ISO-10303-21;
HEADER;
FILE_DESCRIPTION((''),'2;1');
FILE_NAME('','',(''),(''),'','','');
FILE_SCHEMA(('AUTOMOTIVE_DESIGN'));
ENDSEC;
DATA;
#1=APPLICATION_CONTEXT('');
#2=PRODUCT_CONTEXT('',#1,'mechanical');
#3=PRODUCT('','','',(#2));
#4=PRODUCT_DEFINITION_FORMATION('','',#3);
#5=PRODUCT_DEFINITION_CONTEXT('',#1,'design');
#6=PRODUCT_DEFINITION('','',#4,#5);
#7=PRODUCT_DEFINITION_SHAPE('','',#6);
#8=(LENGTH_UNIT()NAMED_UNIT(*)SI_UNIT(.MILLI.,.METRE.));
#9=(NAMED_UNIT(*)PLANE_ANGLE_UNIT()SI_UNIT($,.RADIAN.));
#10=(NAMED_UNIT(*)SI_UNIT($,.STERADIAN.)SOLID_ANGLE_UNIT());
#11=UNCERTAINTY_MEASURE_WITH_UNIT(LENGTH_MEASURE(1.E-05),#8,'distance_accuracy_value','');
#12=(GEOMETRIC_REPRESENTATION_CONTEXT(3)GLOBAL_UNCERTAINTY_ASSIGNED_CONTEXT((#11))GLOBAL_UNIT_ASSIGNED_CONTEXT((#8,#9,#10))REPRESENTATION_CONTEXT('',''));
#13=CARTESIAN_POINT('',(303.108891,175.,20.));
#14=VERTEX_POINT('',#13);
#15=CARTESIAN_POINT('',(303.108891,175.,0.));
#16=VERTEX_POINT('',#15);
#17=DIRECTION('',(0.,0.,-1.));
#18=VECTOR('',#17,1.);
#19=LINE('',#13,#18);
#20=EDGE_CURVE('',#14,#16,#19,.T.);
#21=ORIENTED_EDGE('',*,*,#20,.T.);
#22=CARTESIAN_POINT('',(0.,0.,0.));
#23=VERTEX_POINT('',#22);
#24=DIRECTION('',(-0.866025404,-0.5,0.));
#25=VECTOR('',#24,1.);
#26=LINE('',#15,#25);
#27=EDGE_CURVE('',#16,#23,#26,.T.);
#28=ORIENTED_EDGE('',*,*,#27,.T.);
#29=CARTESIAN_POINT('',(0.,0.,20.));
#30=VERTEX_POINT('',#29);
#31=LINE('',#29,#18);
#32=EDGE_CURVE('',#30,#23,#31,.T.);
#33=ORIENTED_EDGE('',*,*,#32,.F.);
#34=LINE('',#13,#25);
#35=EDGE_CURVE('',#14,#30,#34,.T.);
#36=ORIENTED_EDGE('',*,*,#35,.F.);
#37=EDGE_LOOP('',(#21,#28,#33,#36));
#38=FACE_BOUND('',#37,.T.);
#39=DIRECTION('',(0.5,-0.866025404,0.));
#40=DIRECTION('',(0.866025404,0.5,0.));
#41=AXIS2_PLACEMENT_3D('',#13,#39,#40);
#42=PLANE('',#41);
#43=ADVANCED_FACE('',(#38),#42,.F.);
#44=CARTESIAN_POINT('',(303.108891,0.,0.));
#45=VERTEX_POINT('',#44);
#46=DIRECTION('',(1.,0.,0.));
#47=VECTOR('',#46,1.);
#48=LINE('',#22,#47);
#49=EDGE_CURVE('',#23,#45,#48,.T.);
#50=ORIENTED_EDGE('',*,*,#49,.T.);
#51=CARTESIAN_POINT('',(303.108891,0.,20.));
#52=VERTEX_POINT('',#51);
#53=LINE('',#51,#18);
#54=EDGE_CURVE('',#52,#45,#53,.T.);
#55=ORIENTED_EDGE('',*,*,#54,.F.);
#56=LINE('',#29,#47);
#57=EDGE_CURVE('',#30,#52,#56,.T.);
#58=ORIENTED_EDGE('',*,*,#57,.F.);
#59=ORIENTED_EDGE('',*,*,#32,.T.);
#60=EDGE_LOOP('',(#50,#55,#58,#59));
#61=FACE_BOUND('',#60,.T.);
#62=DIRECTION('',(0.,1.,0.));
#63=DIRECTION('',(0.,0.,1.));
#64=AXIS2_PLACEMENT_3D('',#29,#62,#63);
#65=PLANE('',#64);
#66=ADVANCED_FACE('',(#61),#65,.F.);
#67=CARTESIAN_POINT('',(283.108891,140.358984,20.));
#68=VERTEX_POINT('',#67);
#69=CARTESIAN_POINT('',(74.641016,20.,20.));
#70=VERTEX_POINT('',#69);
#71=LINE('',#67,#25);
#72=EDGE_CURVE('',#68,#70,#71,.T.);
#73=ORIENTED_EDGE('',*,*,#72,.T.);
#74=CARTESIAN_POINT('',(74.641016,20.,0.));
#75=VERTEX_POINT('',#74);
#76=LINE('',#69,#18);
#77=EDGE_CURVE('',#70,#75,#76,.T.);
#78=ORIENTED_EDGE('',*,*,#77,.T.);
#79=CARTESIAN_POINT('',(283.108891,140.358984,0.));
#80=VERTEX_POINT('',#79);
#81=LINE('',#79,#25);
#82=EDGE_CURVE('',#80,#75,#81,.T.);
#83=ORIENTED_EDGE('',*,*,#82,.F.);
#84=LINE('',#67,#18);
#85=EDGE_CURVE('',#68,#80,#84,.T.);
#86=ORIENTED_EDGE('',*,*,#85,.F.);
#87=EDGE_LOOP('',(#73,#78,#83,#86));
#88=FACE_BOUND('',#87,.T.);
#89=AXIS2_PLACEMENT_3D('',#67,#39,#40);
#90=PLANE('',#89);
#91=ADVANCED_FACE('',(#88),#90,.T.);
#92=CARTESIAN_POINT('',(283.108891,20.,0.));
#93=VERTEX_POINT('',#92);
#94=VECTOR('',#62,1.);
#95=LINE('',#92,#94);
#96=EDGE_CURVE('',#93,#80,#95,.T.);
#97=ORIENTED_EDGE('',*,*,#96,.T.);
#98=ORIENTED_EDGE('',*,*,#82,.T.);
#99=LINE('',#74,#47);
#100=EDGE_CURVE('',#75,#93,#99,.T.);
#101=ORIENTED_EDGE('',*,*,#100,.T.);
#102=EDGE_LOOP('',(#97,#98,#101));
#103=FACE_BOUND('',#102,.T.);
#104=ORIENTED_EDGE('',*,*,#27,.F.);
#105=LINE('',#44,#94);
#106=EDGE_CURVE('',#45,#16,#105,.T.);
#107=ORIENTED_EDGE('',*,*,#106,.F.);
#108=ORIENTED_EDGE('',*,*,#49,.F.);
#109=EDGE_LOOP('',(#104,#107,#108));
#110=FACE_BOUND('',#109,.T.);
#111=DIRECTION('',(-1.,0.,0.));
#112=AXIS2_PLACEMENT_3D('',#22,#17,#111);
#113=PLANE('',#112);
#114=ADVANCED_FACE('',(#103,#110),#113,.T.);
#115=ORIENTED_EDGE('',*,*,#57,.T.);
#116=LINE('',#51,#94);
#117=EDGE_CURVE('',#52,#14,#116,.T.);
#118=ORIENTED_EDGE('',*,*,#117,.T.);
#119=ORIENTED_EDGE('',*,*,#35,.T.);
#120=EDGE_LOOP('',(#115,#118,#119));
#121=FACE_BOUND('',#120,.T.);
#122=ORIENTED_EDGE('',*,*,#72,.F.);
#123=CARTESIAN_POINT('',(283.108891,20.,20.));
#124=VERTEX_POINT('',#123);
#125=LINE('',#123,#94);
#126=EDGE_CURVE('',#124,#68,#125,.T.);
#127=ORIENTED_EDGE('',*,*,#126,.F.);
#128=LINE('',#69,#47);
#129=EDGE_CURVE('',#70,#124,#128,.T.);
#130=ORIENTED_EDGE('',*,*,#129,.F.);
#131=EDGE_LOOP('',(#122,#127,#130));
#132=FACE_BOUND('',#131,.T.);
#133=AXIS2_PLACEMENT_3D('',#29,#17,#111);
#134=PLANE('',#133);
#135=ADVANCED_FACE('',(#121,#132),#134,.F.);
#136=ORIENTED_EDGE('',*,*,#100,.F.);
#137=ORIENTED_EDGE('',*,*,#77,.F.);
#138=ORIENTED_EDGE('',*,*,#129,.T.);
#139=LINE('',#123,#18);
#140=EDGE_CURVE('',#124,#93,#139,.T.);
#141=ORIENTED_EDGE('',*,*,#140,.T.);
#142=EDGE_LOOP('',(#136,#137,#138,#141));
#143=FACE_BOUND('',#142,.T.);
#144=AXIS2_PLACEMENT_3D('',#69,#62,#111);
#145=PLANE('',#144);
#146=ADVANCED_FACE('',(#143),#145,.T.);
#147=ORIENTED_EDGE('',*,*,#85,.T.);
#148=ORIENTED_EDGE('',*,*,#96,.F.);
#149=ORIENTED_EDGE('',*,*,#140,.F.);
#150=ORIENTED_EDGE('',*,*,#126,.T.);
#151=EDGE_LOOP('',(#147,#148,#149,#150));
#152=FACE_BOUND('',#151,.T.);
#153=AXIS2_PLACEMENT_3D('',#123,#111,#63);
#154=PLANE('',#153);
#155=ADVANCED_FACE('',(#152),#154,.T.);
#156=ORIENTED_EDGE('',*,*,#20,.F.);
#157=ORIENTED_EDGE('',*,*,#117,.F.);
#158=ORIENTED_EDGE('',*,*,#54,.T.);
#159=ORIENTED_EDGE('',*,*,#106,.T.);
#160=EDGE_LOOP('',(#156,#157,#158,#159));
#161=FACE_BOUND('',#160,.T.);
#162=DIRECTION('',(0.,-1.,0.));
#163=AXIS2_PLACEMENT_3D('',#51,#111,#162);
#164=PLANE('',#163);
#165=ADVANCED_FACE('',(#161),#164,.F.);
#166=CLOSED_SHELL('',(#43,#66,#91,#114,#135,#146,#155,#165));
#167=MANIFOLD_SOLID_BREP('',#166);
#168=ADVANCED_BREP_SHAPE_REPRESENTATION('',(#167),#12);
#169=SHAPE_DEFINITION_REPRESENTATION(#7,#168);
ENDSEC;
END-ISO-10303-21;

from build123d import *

# Parameters (mm, degrees)
BOSS_EXTRUDE1_DEPTH = 20


with BuildPart() as part:
    # Sketch1 → Boss-Extrude1 (new body)
    with BuildSketch(Plane.XY):
        Polygon((0, 0), (303.108891325, 0), (303.108891325, 175), align=None)
        Polygon((283.108891325, 140.358983849), (74.641016151, 20), (283.108891325, 20), align=None, mode=Mode.SUBTRACT)
    extrude(amount=BOSS_EXTRUDE1_DEPTH)


solid = part.part
